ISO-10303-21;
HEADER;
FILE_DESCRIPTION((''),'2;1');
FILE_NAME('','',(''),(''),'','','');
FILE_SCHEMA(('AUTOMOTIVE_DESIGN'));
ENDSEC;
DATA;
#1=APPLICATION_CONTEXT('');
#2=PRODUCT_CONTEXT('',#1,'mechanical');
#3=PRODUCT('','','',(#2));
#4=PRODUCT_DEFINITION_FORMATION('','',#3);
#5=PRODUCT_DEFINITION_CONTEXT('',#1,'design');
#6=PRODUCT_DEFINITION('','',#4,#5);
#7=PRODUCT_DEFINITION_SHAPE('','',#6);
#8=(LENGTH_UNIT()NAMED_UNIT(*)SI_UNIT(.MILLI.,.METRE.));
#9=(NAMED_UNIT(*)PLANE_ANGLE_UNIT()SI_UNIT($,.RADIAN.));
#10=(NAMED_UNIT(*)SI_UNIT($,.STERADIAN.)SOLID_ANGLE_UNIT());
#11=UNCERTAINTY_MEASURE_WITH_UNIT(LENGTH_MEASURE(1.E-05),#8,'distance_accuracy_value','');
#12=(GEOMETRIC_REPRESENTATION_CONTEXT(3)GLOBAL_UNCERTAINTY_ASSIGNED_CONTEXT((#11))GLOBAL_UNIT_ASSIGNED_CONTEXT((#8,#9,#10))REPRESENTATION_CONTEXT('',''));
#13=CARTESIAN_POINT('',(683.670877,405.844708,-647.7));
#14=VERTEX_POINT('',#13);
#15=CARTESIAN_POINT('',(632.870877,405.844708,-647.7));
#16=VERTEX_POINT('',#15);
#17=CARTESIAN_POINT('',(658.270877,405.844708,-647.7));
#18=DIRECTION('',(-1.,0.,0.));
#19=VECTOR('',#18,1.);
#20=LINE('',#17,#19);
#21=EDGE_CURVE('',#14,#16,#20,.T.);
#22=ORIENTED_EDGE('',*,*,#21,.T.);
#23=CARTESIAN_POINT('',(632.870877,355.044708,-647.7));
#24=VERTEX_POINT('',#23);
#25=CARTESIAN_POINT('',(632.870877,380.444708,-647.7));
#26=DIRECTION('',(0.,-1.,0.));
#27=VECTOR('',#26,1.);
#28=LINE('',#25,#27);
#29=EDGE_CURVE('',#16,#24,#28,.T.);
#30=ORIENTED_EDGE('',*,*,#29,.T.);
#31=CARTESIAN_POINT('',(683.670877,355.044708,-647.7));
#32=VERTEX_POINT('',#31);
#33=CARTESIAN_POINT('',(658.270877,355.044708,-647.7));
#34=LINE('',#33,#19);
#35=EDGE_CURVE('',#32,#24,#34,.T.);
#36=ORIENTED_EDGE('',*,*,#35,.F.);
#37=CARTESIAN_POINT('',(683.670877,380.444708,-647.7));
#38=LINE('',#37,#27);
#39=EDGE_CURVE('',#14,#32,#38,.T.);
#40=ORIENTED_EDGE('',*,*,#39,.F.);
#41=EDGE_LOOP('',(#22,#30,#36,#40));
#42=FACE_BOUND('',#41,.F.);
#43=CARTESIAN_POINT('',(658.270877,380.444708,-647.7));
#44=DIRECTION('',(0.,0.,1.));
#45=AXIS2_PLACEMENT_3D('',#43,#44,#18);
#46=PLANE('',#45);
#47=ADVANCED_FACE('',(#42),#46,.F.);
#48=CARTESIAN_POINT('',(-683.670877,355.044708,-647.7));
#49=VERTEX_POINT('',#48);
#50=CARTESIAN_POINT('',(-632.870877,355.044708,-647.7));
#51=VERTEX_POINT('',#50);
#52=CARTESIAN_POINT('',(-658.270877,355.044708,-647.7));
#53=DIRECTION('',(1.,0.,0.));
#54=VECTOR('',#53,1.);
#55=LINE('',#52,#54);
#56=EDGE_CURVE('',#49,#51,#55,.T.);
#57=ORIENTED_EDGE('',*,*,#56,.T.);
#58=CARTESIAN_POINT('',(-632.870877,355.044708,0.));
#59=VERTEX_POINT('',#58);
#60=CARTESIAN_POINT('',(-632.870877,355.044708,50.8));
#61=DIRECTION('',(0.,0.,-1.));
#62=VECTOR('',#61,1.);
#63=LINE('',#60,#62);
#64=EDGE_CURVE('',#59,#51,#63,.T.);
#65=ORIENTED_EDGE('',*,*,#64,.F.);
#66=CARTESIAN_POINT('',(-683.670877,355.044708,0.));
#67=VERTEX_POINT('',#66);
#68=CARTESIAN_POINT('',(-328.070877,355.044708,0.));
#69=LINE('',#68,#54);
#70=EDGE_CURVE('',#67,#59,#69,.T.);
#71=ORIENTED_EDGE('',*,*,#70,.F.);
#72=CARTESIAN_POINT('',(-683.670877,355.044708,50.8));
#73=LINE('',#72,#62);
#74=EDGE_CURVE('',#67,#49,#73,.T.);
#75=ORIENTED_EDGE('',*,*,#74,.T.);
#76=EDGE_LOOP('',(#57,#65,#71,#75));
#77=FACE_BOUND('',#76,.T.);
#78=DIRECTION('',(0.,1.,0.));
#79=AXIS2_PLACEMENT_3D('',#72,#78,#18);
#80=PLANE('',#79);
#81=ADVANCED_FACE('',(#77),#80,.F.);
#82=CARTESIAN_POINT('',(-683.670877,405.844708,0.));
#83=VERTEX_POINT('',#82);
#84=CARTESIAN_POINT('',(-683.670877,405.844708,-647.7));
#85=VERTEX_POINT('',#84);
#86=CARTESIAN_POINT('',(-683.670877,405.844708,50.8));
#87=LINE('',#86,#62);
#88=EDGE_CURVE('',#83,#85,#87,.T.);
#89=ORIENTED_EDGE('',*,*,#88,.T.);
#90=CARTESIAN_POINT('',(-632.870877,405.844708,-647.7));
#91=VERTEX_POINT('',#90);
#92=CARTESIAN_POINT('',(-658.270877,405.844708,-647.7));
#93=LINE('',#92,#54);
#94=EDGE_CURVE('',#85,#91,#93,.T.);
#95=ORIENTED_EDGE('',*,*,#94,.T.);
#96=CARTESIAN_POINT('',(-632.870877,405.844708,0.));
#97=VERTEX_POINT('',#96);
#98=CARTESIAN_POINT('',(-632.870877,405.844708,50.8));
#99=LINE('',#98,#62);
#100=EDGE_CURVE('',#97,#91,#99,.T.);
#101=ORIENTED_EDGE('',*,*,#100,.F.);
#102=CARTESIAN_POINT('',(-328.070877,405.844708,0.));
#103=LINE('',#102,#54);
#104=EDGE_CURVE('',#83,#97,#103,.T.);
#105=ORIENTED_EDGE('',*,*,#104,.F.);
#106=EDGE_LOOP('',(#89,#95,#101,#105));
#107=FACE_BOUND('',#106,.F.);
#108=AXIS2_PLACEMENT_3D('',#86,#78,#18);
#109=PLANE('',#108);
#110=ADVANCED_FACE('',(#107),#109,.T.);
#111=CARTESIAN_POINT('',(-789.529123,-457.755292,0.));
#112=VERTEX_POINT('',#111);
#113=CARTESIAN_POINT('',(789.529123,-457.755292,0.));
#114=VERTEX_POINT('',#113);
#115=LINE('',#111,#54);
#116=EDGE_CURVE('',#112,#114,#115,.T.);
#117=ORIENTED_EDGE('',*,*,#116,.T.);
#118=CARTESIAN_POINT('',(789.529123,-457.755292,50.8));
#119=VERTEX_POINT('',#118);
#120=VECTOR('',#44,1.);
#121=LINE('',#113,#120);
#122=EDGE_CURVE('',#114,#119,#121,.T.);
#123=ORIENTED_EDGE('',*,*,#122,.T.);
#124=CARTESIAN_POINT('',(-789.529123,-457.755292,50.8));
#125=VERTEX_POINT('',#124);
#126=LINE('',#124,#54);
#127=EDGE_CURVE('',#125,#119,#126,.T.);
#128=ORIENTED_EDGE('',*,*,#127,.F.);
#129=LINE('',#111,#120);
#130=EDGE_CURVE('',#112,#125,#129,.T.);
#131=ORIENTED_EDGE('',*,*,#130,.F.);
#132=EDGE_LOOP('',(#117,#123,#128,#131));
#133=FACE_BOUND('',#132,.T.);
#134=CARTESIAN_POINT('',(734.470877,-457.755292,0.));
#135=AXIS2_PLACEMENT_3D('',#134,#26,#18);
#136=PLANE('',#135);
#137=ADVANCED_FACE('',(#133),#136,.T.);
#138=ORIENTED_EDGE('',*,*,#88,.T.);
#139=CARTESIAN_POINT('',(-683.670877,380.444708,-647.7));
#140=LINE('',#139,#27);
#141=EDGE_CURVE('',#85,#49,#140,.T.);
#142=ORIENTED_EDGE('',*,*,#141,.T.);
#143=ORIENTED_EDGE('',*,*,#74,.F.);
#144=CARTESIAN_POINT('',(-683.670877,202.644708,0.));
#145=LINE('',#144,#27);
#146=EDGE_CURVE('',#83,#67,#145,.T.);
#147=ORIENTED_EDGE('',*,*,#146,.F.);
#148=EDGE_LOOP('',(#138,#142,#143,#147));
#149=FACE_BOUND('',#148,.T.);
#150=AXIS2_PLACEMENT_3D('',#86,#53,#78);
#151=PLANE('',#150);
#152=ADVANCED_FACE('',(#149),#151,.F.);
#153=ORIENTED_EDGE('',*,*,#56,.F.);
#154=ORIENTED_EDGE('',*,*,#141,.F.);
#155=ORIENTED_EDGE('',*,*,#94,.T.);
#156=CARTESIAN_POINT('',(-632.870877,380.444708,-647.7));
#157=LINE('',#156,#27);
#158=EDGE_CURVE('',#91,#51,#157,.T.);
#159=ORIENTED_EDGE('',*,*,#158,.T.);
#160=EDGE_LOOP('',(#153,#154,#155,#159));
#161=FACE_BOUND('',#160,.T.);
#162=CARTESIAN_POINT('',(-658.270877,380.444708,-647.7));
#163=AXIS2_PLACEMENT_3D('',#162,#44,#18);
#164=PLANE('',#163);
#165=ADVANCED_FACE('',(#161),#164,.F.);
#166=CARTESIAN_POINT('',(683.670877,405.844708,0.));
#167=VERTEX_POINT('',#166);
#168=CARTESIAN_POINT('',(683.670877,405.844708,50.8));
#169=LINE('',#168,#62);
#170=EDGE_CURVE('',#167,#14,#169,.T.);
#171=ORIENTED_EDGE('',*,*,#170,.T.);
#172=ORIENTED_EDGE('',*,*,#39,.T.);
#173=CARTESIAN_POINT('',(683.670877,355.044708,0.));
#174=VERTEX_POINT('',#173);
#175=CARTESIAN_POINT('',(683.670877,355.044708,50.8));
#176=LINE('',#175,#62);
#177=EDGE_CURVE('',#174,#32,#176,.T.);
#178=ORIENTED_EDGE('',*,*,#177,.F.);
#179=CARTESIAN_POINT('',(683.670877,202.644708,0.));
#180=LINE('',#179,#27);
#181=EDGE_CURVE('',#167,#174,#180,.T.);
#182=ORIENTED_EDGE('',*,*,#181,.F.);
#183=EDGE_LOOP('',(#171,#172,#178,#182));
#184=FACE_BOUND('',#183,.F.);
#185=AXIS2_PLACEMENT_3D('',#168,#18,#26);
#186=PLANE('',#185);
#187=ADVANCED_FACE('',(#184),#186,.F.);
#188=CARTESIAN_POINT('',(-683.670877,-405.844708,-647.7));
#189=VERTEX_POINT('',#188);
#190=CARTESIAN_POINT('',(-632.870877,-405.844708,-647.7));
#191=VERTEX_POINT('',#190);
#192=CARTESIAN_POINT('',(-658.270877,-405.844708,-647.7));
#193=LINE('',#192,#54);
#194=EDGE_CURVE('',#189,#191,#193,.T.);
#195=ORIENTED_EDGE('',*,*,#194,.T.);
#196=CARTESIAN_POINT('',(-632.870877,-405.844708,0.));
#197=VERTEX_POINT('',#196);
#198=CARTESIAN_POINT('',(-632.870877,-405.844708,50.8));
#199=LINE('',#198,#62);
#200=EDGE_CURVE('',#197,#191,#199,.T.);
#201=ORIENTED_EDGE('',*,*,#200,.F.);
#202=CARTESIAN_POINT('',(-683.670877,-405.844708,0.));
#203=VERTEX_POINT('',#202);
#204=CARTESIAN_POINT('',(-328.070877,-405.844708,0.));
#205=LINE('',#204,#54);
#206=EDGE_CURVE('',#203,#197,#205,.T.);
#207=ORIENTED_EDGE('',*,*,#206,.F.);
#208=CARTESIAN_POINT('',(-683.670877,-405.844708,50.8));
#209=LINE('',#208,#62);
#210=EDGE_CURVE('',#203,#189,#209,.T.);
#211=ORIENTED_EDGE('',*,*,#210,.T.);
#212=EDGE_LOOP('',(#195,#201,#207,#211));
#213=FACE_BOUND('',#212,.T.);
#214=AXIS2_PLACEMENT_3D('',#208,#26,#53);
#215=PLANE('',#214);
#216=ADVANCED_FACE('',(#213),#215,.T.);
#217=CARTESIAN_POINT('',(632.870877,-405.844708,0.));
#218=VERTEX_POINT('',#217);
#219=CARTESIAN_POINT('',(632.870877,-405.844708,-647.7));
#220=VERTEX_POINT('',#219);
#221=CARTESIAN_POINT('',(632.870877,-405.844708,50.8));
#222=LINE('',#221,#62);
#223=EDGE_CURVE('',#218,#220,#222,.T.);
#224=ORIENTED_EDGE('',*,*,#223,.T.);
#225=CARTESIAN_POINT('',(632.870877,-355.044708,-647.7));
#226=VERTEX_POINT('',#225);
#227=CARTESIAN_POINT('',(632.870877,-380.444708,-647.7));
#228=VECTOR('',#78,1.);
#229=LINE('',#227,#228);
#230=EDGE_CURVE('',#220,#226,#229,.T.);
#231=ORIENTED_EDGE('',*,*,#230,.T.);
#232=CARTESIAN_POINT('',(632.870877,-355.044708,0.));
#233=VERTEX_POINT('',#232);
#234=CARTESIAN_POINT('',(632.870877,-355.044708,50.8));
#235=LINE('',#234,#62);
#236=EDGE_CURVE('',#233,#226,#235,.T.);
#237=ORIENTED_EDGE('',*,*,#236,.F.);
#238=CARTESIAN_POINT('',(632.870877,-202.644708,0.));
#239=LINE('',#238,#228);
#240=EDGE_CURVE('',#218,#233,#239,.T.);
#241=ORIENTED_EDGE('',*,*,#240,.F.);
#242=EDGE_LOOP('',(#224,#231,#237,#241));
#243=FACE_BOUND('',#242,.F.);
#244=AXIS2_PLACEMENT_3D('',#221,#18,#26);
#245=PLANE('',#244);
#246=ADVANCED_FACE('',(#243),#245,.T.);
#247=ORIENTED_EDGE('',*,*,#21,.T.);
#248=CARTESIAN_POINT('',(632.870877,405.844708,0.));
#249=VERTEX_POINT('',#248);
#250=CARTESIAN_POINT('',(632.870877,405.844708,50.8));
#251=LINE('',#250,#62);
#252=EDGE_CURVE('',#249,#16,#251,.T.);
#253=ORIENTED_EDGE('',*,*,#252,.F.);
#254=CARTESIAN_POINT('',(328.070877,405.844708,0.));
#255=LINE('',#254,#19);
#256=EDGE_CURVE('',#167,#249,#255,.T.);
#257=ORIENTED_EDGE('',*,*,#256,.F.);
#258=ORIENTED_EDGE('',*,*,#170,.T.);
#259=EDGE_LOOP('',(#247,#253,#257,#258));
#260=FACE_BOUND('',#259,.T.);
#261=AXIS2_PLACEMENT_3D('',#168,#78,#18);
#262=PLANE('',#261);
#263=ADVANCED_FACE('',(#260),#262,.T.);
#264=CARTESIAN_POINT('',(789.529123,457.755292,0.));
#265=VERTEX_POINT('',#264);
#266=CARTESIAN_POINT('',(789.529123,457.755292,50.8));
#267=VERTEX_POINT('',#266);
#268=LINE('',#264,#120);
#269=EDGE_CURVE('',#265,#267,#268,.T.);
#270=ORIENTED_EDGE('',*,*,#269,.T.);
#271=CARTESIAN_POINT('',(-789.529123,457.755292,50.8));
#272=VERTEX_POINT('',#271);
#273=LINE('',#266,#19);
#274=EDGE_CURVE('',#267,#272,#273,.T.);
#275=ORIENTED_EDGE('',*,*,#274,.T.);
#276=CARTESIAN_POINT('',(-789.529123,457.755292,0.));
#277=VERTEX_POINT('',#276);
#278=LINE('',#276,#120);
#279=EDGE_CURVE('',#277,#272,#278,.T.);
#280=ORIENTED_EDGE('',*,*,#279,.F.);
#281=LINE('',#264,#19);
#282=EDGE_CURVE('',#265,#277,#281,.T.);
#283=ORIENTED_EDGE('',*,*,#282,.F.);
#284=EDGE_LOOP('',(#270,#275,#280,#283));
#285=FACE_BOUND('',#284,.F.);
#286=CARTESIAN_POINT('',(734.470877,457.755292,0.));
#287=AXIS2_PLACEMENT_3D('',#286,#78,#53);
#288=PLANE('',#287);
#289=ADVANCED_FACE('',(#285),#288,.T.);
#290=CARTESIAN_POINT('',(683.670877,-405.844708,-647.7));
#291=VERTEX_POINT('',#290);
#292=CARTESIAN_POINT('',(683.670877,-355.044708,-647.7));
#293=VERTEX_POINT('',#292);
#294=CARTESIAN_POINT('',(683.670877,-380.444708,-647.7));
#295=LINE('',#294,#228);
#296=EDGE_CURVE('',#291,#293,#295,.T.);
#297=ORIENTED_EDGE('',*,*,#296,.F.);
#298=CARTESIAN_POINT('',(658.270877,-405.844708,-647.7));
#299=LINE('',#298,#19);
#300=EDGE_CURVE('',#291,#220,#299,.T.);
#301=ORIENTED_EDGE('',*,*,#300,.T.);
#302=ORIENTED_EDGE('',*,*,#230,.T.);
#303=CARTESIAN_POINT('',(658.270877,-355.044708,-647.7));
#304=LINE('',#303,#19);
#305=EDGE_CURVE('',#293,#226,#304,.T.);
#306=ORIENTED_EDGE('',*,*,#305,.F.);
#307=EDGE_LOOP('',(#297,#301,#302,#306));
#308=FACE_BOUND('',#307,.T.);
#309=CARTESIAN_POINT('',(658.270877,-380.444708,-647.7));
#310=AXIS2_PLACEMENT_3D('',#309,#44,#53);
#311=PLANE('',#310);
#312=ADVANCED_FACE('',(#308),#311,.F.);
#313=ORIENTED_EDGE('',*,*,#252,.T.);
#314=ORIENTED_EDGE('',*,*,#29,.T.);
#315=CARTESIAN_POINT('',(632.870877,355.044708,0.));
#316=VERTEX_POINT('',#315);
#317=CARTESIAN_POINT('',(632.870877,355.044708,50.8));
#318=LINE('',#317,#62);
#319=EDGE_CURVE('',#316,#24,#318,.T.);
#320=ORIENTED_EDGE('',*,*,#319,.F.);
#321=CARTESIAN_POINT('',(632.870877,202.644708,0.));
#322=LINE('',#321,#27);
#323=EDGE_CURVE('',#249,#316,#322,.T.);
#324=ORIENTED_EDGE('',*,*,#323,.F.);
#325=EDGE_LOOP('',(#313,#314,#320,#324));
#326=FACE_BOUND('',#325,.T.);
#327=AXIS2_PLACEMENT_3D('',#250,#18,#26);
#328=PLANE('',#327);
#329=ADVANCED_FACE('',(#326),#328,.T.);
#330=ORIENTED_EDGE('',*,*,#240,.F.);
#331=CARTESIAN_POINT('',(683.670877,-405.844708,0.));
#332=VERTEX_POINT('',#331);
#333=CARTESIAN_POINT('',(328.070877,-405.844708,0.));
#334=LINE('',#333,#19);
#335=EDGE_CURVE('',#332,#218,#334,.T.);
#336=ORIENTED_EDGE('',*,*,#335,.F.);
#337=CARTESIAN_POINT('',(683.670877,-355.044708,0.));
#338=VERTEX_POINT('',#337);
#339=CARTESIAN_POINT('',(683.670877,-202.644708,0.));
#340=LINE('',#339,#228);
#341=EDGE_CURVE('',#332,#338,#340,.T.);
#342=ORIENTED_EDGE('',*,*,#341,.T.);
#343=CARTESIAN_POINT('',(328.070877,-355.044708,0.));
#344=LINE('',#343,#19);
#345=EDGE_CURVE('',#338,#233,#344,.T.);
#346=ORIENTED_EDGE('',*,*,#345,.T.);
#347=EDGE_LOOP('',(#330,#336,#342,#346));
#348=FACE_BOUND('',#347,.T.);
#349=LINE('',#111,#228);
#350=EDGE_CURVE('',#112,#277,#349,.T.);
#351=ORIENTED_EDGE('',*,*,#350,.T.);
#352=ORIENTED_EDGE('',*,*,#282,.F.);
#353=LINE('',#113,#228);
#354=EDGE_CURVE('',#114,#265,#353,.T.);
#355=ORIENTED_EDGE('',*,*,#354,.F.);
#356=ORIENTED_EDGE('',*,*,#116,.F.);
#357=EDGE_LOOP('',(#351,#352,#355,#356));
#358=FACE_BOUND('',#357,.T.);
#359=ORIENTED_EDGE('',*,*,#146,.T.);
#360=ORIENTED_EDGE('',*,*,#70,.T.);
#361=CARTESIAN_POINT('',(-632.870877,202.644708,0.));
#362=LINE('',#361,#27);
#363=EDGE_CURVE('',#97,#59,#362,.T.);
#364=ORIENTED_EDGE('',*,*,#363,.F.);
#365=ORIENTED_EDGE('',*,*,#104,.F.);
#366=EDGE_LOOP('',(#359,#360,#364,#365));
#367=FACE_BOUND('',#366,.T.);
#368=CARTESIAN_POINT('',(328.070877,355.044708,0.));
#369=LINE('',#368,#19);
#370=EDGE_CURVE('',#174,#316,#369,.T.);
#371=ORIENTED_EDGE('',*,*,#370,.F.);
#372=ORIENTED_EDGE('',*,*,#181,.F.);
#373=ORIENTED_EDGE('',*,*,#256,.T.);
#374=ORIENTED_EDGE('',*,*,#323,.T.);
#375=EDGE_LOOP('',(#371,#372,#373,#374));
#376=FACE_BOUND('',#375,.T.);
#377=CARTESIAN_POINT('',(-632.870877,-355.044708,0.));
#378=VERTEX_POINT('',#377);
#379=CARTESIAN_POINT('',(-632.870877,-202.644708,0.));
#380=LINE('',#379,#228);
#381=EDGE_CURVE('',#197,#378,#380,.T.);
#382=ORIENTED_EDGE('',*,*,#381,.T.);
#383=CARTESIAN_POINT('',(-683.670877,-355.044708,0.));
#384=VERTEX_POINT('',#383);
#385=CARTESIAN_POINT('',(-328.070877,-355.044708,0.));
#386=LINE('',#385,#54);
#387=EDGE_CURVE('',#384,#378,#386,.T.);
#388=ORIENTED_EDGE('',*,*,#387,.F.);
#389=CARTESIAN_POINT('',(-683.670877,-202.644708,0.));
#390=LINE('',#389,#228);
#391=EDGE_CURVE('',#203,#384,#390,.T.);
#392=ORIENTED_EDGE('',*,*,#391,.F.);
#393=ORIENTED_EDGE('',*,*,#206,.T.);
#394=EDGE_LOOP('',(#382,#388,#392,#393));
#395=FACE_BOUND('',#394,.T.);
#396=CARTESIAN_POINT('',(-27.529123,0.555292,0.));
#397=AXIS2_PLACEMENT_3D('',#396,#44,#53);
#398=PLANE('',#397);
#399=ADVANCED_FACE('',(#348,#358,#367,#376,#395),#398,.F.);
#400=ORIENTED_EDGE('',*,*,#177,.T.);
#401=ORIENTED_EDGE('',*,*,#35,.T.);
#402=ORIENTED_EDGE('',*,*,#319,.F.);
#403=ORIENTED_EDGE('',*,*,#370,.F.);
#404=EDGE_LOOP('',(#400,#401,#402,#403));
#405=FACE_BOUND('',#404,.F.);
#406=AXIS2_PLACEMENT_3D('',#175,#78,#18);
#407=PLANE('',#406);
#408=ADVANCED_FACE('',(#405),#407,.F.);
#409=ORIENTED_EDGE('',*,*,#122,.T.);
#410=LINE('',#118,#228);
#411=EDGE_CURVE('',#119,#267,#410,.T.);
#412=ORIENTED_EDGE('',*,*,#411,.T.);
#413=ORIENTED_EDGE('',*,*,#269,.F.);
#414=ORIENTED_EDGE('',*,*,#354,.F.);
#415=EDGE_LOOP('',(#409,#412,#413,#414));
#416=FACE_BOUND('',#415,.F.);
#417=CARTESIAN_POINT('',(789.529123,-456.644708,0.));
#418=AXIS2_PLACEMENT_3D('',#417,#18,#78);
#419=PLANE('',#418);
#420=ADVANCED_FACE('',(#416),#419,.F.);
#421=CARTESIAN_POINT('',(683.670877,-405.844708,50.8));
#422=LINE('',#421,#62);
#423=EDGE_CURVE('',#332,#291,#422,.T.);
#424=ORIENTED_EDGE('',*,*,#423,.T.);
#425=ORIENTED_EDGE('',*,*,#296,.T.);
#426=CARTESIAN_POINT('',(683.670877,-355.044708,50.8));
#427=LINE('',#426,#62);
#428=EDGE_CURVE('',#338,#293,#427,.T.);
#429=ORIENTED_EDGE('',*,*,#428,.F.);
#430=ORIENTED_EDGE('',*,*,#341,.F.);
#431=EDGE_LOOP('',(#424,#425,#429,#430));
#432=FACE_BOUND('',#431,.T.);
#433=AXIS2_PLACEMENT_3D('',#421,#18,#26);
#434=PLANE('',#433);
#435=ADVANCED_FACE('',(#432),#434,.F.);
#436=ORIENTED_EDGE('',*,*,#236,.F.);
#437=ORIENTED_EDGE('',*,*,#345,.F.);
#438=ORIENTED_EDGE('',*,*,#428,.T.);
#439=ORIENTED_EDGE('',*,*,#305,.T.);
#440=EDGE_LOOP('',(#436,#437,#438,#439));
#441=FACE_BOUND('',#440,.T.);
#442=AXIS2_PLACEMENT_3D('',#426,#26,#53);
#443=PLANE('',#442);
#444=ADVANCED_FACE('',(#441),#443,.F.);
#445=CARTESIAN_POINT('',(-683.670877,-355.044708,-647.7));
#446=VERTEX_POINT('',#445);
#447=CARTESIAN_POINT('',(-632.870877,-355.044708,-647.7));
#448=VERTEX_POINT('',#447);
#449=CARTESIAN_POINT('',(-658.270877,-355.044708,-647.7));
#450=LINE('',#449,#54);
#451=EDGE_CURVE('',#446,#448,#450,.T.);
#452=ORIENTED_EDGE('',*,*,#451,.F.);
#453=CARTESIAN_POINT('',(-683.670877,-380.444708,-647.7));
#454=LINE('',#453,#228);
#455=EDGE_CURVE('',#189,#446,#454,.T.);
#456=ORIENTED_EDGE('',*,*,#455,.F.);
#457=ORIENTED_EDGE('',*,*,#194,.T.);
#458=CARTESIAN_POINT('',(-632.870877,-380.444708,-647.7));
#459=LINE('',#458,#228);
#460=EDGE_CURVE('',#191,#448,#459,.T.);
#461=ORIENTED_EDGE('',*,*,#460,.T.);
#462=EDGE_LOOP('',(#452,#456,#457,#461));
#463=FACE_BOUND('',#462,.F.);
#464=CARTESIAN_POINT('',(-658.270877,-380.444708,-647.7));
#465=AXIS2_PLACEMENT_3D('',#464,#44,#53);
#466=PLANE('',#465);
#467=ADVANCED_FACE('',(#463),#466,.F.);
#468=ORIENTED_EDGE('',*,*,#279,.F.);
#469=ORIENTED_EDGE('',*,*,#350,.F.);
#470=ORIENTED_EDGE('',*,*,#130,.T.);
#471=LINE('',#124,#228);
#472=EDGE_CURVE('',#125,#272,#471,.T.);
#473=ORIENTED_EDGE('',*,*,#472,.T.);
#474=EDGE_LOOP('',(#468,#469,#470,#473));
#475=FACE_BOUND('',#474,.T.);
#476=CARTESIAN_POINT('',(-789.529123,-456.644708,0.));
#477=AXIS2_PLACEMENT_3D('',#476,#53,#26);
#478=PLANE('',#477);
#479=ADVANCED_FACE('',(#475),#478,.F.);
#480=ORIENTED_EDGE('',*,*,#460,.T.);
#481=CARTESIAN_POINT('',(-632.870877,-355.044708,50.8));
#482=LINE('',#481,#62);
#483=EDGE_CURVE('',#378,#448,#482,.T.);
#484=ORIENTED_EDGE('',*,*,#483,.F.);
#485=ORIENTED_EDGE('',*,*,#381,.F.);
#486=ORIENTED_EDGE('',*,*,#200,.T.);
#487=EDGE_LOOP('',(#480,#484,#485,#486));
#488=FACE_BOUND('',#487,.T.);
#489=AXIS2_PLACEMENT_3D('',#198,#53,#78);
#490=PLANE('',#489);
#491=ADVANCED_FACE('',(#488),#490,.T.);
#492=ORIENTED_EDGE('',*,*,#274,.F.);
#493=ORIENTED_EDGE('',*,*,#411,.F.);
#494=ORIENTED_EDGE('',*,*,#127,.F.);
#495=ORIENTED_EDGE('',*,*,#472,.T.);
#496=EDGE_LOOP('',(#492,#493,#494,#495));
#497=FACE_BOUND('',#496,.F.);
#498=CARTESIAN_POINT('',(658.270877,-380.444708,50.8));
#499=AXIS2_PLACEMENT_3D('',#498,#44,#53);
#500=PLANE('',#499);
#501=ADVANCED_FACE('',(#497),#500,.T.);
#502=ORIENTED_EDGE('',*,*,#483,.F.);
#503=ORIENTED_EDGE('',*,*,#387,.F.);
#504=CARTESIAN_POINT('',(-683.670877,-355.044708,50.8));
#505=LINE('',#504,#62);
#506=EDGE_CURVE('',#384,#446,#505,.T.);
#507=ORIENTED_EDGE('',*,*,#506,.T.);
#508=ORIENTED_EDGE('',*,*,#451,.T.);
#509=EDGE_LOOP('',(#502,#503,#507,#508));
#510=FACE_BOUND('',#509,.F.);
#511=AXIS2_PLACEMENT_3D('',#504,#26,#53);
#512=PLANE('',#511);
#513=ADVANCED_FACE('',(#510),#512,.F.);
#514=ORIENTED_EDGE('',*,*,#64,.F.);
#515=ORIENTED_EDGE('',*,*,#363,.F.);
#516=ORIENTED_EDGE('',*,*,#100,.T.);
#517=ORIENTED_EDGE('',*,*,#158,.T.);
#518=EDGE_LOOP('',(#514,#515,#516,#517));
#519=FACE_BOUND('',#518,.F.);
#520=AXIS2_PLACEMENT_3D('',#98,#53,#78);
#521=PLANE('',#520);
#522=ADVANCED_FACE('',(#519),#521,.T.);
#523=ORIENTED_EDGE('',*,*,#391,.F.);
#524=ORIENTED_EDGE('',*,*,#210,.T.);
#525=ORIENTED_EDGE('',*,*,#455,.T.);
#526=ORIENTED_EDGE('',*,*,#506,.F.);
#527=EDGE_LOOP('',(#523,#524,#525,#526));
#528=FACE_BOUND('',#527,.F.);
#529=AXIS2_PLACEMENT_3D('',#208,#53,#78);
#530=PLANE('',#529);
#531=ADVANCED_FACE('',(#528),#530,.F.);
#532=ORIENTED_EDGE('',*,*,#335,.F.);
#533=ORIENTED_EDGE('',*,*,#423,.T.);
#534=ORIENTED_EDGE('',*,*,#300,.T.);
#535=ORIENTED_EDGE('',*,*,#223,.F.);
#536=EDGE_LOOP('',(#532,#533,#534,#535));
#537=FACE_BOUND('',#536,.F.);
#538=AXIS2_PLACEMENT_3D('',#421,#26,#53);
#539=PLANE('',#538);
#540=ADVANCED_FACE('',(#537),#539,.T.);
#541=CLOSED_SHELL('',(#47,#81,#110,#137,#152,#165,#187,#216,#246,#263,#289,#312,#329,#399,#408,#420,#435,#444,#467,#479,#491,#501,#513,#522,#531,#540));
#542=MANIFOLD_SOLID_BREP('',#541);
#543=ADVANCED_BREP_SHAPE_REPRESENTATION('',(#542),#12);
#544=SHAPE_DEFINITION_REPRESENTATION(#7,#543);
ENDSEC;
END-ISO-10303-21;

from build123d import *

# Parameters (mm, degrees)
F0_W     = 1524
F0_H     = 914.4
F1_DEPTH = 50.8
F2_W     = 50.8
F2_H     = 50.8
F3_DEPTH = 698.5


with BuildPart() as f1:
    # F0 (on Top) → F1 (new body)
    with BuildSketch(Plane.XY):
        with Locations((27.529123, 0.555292)):
            Rectangle(F0_W, F0_H)
    extrude(amount=F1_DEPTH)

    # F2 (on face) → F3 (join)
    with BuildSketch(Plane.XY.offset(50.8)):
        with Locations((-658.270877, -380.444708)):
            Rectangle(F2_W, F2_H)
    extrude(amount=-F3_DEPTH)

    # F4: F1 across plane


with BuildPart() as f1_1:
    add(f1.part)
    add(f1.part.mirror(Plane.XZ))

    # F5: F1 across plane


with BuildPart() as f1_2:
    add(f1_1.part)
    add(f1_1.part.mirror(Plane.YZ))


solid = f1_2.part
